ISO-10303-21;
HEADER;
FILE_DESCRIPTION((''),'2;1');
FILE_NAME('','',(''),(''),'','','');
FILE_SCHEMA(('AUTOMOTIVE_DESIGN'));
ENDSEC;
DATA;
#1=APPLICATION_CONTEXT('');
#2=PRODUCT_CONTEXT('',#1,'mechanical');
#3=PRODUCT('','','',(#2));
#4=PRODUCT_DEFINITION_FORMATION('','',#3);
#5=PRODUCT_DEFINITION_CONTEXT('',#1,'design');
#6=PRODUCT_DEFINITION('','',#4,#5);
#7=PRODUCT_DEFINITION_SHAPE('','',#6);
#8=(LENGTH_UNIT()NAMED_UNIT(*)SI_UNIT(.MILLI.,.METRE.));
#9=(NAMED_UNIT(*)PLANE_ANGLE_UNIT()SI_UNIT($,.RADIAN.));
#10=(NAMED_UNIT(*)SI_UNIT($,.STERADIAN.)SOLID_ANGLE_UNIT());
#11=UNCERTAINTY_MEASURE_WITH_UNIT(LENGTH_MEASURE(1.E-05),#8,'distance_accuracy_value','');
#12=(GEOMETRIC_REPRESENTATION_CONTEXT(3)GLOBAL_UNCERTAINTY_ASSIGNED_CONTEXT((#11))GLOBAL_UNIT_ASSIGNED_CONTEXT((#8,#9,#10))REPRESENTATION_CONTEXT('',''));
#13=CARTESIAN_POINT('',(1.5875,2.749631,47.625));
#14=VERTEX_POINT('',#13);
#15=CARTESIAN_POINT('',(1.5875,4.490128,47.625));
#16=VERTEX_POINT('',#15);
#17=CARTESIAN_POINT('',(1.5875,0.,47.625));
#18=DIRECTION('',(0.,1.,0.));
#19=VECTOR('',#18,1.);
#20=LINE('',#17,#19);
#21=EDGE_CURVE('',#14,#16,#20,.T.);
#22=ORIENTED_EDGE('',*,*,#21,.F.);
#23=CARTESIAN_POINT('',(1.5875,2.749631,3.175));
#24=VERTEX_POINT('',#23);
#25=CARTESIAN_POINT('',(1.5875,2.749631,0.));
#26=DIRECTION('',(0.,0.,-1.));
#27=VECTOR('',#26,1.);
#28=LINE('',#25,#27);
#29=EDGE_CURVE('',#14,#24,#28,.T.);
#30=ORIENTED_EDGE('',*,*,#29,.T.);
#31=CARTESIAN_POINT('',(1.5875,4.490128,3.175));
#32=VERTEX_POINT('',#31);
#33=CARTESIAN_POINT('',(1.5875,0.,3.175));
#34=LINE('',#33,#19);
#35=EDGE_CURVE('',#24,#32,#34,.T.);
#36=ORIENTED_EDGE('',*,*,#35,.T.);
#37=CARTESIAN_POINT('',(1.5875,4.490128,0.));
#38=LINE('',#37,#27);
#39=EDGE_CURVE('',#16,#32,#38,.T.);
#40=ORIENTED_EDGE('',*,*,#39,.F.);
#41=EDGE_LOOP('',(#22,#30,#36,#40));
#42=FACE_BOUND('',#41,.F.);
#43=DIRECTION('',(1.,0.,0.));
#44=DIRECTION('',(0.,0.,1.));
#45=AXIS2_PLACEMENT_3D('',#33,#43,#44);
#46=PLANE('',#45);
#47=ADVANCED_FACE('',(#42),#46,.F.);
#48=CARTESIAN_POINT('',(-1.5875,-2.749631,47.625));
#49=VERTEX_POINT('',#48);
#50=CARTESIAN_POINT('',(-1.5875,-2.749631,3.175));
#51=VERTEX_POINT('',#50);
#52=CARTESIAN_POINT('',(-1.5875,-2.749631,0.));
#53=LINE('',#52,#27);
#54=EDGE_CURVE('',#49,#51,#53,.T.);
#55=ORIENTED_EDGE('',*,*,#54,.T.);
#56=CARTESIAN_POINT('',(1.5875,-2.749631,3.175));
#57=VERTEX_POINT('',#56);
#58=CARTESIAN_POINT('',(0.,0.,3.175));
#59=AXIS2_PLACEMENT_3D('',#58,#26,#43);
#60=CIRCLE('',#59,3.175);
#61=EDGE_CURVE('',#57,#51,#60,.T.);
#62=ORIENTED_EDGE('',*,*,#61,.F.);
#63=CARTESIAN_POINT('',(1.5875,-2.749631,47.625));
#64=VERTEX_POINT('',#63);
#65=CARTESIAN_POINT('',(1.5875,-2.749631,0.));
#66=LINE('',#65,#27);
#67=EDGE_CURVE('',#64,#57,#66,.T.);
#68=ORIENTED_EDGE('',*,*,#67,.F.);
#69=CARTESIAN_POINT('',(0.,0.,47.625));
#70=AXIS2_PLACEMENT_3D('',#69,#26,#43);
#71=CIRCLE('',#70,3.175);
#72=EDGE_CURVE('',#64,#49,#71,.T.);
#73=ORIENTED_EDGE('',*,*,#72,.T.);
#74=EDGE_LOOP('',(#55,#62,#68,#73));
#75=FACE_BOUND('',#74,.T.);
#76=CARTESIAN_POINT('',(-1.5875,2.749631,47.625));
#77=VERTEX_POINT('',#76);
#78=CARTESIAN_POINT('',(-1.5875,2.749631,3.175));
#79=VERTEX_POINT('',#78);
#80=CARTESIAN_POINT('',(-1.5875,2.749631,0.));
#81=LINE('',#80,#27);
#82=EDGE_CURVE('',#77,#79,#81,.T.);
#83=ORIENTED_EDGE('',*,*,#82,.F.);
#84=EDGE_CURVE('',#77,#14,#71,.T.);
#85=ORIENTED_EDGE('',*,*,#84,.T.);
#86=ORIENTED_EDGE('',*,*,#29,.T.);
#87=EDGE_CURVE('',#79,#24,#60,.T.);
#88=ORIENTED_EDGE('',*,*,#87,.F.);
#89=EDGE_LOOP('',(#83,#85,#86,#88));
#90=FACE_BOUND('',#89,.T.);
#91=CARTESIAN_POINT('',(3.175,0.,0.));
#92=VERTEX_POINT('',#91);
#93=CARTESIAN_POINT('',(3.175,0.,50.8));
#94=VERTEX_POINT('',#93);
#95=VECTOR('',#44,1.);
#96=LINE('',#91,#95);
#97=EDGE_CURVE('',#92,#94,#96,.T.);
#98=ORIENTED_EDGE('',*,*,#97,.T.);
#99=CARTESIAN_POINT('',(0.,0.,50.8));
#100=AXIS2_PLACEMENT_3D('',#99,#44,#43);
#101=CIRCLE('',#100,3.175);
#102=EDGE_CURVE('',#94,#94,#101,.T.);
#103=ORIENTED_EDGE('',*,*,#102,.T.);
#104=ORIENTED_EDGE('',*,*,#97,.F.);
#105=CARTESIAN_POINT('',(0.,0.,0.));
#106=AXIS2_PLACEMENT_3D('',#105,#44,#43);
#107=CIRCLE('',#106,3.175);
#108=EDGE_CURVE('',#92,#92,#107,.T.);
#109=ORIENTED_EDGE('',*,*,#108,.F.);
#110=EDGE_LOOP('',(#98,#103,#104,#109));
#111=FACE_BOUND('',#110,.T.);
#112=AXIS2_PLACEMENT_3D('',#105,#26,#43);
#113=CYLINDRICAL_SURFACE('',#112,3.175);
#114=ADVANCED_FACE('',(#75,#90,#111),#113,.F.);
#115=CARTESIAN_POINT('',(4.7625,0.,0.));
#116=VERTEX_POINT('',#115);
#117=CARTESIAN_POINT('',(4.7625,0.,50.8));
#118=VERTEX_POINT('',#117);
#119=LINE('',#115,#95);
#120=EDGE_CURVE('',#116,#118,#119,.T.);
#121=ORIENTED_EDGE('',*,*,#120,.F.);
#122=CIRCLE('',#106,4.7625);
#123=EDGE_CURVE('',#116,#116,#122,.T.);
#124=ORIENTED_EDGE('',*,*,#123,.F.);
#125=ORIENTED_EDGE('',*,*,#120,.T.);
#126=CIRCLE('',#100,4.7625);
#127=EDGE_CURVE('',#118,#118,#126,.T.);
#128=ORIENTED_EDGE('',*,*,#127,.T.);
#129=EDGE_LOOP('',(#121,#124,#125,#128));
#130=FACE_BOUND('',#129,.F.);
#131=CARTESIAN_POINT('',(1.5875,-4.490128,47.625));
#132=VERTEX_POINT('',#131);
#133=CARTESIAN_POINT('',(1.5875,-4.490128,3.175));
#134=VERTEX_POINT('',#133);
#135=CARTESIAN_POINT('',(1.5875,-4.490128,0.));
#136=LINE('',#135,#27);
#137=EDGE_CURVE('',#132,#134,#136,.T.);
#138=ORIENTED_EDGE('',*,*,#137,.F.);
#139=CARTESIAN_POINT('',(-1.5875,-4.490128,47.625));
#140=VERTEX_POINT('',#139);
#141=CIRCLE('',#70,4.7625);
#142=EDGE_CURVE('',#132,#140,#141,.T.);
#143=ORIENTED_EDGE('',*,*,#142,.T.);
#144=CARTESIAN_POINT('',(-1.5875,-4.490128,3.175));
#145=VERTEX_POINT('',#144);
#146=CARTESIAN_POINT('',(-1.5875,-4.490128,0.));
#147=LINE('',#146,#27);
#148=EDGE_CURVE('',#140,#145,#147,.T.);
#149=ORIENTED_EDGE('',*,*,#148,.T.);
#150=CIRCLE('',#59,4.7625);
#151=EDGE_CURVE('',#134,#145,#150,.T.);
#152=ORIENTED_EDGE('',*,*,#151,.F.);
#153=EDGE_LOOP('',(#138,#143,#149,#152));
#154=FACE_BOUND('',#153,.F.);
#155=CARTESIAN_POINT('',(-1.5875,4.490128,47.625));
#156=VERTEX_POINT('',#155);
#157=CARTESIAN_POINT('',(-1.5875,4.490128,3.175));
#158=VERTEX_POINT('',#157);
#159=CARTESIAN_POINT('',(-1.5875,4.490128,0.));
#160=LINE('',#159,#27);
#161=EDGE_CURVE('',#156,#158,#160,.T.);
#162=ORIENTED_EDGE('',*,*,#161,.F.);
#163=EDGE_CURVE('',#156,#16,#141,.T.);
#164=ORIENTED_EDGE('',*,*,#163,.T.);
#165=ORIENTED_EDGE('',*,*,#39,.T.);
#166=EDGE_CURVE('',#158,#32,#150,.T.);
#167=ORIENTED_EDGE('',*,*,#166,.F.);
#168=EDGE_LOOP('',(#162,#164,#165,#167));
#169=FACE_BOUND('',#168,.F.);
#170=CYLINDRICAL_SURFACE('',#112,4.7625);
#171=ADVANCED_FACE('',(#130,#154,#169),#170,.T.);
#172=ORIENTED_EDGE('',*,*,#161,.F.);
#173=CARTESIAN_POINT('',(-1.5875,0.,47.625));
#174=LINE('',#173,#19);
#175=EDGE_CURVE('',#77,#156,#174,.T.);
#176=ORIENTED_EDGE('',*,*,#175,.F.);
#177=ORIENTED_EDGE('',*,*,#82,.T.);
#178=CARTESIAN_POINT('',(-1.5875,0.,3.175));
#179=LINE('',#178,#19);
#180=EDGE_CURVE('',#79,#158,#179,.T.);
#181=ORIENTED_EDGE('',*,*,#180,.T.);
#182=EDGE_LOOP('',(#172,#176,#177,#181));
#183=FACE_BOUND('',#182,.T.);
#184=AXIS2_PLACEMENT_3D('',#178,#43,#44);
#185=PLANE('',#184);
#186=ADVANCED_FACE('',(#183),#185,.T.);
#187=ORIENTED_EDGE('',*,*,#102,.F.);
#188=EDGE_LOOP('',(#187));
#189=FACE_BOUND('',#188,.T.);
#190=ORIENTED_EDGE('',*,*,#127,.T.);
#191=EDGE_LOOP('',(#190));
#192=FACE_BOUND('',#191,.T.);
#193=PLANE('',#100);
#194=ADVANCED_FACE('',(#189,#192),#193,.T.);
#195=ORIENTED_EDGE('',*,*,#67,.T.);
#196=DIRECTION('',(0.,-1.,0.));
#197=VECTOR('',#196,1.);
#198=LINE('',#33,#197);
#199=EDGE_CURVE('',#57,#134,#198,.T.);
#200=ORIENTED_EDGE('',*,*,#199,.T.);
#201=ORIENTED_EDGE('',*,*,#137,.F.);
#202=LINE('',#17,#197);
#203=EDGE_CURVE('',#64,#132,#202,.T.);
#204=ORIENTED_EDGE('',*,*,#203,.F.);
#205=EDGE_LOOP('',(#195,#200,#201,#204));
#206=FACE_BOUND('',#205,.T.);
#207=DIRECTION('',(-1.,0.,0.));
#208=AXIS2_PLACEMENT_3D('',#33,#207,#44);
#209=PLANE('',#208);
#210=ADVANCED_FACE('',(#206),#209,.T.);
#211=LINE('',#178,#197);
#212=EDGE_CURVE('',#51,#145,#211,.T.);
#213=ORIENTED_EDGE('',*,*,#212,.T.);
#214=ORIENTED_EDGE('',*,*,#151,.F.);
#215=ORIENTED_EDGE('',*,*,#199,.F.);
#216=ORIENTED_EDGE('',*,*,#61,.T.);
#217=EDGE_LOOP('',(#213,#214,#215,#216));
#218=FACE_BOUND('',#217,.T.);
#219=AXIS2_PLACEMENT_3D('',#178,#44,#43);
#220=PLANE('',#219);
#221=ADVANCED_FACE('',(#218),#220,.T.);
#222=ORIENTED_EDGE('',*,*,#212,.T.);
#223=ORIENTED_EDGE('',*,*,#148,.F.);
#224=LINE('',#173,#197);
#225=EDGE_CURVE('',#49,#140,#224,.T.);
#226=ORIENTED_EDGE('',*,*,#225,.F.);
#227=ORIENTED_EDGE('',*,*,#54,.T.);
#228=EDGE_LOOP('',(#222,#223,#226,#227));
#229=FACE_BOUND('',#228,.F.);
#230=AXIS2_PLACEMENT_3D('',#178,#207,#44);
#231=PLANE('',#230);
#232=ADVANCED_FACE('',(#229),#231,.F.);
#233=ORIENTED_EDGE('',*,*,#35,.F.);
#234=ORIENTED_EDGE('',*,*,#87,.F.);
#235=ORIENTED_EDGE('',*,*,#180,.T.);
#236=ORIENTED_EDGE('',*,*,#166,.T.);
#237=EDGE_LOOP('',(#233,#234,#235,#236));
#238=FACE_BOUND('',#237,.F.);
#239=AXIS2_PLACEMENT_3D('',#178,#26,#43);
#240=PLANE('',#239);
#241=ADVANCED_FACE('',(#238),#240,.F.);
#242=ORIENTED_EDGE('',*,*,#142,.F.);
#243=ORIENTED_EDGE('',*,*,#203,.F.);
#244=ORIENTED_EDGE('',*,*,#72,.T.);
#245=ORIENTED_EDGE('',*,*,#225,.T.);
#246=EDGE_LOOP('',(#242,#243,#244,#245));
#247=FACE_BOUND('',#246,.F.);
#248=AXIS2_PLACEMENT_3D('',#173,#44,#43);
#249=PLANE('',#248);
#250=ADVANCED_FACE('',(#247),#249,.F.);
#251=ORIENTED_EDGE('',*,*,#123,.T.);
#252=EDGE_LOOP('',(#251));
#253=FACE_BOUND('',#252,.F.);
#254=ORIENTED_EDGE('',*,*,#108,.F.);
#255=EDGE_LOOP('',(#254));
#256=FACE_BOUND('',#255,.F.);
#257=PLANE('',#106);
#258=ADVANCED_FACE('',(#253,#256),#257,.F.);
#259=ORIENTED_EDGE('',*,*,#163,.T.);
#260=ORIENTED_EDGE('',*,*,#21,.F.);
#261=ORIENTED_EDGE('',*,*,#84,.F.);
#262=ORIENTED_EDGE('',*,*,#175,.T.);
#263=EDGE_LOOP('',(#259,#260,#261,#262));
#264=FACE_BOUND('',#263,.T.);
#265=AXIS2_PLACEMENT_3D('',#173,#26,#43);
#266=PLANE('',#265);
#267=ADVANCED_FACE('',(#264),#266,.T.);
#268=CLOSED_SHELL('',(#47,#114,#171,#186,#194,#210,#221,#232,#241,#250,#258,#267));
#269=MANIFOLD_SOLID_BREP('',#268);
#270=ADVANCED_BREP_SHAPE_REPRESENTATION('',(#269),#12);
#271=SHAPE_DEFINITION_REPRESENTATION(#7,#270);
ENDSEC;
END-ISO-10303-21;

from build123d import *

# Parameters (mm, degrees)
F0_R          = 4.7625
F0_R_2        = 3.175
F1_DEPTH      = 50.8
F2_W          = 3.175
F2_H          = 44.45
F3_DEPTH      = 25.4
F3_DEPTH_BACK = 25.4


with BuildPart() as f1:
    # F0 (on Top) → F1 (new body)
    with BuildSketch(Plane.XY):
        Circle(F0_R)
        Circle(F0_R_2, mode=Mode.SUBTRACT)
    extrude(amount=F1_DEPTH)

    # F2 (on Front) → F3 (cut, two sides)
    with BuildSketch(Plane.XZ) as f3_sk:
        with Locations((0, 25.4)):
            Rectangle(F2_W, F2_H)
    extrude(amount=-F3_DEPTH, mode=Mode.SUBTRACT)
    extrude(f3_sk.sketch, amount=F3_DEPTH_BACK, mode=Mode.SUBTRACT)


solid = f1.part
